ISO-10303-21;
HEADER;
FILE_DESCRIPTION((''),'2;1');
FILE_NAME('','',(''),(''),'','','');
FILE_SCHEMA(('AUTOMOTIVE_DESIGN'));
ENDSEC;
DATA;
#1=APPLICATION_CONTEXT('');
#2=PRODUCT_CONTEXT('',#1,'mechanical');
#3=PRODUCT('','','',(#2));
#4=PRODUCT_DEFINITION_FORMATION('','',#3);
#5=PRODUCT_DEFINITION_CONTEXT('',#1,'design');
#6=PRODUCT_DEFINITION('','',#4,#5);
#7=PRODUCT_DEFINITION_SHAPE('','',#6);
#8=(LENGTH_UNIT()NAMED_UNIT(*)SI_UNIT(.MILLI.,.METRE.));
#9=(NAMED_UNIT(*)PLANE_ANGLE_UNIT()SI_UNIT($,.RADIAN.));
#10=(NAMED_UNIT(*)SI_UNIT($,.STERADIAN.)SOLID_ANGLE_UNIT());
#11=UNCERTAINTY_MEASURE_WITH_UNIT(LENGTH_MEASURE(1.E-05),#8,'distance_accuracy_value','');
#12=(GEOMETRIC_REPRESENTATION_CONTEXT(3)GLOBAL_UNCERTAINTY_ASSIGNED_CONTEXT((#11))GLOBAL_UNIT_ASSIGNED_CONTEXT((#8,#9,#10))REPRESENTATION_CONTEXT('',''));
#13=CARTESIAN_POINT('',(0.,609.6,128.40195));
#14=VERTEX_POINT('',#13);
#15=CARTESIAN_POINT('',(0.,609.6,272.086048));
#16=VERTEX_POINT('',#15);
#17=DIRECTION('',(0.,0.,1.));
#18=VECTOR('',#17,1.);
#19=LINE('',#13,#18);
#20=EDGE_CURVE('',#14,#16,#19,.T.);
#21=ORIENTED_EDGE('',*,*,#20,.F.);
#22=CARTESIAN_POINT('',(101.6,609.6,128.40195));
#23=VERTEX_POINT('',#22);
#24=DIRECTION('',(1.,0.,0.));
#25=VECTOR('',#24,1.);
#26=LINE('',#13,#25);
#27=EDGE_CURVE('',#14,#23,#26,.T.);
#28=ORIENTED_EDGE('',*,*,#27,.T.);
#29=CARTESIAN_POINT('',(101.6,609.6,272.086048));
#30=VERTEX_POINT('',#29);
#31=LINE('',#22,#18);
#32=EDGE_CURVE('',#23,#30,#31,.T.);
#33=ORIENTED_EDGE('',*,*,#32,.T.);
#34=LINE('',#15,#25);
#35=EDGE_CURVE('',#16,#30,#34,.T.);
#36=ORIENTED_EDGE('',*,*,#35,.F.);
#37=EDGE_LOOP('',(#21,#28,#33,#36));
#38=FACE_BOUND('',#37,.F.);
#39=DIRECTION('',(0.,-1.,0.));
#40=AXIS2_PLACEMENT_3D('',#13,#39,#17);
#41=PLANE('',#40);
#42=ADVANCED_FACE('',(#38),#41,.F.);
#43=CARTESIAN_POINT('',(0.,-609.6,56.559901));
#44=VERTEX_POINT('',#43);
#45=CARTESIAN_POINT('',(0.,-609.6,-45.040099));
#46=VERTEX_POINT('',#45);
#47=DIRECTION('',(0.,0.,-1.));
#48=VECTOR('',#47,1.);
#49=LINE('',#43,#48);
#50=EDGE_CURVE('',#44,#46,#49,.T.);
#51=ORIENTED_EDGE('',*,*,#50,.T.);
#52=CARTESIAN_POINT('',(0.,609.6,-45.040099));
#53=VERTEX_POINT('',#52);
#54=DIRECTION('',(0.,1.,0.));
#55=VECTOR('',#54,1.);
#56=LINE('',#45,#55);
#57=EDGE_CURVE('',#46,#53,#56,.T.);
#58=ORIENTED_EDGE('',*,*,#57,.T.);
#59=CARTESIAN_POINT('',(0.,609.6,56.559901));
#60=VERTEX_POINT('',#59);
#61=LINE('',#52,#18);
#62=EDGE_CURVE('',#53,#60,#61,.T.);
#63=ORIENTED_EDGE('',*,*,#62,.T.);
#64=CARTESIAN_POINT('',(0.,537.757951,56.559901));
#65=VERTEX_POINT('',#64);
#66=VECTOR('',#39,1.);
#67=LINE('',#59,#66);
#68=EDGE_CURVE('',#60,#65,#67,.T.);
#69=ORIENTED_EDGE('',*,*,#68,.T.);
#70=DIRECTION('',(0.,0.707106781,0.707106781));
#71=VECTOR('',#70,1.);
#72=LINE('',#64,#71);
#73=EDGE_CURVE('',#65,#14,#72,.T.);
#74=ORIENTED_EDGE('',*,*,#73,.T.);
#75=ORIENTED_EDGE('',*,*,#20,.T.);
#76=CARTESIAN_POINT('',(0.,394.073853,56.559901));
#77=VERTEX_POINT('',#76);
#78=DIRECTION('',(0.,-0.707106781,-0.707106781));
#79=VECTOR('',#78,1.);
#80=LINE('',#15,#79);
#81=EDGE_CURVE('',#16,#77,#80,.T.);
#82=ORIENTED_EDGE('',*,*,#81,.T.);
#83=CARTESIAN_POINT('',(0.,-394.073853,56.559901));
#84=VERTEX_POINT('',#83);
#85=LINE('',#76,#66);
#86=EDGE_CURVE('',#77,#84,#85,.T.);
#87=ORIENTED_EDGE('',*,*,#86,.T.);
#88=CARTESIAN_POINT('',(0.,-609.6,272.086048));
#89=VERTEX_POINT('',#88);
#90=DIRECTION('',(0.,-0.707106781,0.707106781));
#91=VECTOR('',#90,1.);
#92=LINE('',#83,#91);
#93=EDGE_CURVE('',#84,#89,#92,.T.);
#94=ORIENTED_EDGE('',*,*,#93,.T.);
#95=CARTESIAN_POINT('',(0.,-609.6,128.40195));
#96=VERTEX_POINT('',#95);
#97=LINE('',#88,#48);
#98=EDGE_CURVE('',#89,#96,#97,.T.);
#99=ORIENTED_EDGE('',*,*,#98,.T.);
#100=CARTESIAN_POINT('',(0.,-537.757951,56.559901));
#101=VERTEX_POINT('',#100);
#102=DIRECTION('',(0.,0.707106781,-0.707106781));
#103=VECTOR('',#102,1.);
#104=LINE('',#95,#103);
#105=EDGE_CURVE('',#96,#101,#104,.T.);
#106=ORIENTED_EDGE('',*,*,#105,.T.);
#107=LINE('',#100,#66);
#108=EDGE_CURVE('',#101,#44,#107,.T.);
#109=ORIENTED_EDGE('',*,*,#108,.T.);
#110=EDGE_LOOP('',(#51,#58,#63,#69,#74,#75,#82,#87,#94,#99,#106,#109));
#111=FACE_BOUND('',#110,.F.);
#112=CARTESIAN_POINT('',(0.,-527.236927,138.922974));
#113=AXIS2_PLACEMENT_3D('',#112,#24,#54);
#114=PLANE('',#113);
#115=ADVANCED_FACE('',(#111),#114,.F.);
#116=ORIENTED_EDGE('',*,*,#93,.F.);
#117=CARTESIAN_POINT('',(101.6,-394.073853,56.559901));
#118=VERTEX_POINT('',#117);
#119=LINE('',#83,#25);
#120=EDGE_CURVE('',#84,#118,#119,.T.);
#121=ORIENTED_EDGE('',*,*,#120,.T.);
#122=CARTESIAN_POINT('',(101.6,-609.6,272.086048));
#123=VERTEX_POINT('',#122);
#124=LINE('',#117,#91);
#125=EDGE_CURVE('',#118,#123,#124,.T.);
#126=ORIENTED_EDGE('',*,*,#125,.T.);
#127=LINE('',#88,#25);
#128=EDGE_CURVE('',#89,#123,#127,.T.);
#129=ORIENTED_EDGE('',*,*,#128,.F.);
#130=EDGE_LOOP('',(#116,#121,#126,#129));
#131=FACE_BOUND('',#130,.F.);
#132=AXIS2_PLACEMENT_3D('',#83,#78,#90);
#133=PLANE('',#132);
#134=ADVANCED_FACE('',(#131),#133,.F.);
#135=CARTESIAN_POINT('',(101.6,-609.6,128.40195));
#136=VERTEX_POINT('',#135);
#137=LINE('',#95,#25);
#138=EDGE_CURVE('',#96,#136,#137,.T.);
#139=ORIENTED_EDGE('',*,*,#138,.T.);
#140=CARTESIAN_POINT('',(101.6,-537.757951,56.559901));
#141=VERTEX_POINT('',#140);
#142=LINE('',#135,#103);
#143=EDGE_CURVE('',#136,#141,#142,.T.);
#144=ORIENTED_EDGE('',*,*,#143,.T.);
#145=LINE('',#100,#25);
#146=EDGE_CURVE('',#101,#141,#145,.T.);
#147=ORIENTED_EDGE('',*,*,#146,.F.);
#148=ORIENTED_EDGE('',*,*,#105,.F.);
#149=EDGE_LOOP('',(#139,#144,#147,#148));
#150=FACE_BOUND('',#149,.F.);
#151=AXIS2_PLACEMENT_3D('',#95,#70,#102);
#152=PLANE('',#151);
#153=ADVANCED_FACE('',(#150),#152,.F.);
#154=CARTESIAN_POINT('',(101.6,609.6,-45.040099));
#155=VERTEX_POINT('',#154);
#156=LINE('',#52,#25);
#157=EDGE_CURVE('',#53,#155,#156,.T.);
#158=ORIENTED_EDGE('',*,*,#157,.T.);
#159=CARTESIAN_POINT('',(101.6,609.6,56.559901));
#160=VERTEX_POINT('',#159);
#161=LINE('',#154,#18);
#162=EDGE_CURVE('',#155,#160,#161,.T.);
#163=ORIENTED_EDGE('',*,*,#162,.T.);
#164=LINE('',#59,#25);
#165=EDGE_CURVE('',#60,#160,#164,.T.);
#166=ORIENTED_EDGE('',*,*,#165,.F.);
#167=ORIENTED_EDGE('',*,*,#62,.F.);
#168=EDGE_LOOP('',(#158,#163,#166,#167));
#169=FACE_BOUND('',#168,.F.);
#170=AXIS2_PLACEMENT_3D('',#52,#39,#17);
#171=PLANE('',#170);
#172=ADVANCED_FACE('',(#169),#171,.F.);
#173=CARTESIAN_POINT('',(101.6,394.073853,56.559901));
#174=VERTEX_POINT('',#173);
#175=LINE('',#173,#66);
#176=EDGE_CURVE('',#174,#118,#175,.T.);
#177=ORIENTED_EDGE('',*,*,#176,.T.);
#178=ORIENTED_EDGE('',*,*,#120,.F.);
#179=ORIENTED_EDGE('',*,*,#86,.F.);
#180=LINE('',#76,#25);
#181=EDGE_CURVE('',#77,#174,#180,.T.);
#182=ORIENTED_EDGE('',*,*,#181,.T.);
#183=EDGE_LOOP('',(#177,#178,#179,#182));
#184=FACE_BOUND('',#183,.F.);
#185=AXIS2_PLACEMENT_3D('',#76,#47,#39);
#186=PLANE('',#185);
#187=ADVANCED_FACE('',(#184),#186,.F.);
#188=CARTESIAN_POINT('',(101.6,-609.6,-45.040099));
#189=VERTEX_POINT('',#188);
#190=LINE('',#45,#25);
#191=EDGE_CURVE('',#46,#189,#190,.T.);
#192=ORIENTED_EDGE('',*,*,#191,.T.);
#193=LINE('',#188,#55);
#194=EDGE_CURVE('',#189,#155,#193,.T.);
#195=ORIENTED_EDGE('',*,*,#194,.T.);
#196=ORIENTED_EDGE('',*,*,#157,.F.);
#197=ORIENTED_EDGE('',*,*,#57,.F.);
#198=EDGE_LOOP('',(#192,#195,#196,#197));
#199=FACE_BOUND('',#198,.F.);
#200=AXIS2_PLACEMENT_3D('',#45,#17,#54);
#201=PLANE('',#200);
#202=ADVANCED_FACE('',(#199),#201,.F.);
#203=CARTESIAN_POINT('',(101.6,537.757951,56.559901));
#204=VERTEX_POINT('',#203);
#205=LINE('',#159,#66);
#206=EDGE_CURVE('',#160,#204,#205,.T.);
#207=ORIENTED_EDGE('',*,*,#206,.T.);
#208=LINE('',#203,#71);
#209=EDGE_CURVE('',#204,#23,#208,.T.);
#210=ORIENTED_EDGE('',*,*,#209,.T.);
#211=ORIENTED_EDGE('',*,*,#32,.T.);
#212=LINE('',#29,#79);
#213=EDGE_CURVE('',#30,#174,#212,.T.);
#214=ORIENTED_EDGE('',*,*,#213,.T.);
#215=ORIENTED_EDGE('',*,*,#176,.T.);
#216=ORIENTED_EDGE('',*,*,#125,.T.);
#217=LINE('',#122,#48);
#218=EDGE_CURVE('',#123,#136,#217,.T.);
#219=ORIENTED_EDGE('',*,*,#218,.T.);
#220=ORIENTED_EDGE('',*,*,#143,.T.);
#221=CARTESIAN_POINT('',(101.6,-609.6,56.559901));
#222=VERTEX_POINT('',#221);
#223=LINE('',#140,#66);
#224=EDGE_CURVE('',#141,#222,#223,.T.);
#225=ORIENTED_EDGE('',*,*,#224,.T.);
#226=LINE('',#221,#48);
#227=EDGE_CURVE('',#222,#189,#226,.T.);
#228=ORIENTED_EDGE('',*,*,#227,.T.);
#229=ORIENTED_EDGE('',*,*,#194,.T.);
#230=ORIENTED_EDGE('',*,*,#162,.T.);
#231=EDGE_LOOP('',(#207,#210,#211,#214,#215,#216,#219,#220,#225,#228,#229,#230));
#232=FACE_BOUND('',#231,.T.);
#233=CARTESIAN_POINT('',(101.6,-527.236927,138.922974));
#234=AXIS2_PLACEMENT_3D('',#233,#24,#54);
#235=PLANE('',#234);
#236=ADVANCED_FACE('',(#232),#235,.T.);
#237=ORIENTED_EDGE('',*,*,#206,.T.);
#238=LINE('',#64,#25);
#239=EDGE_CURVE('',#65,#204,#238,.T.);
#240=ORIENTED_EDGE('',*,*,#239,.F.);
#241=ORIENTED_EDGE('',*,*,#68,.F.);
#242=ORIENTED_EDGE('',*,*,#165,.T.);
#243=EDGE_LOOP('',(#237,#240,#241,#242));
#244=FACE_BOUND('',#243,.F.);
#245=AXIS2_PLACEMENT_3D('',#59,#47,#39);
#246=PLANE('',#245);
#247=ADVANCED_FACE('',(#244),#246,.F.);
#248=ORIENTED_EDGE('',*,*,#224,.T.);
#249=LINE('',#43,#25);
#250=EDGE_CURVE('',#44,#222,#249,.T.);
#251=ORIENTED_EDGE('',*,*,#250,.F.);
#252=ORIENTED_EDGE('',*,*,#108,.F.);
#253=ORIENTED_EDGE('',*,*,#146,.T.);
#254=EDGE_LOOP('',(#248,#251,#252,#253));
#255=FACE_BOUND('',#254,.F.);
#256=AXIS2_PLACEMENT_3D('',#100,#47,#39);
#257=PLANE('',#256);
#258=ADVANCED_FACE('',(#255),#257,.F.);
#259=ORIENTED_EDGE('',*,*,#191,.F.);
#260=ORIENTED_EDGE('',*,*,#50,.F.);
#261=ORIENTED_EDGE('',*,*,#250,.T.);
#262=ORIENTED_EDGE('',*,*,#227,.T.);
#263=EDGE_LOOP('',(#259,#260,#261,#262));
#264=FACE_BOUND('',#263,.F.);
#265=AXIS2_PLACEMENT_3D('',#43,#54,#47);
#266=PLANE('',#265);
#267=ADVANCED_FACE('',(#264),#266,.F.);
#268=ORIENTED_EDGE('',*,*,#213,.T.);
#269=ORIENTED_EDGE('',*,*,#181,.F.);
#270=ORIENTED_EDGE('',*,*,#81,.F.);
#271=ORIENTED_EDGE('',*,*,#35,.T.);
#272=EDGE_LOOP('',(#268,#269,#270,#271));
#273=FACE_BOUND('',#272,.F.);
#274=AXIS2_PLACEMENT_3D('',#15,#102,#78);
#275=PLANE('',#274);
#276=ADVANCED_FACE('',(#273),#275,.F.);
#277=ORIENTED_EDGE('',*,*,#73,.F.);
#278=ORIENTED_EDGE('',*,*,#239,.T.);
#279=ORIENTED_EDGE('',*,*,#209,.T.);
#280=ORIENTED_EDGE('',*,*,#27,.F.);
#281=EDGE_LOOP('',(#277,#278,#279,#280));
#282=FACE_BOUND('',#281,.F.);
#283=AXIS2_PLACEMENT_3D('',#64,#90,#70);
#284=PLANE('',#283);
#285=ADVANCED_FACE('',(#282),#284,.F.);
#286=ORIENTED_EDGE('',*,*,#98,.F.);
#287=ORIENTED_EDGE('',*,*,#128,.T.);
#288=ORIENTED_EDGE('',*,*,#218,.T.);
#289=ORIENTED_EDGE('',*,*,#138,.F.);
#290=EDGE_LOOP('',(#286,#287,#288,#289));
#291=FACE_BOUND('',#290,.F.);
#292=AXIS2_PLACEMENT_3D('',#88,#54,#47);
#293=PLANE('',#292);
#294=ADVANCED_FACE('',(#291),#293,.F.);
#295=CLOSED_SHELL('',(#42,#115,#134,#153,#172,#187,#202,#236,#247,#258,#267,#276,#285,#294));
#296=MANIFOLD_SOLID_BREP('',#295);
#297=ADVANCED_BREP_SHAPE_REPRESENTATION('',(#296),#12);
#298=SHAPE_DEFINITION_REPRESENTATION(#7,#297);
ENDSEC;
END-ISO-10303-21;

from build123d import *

# Parameters (mm, degrees)
F1_DEPTH = 101.6


with BuildPart() as f1:
    # F0 (on Right) → F1 (new body)
    with BuildSketch(Plane.YZ):
        Polygon((-609.6, 128.40195), (-537.757951, 56.559901), (-394.073853, 56.559901), (-609.6, 272.086048), align=None)
        Polygon((-537.757951, 56.559901), (-609.6, 56.559901), (-609.6, -45.040099), (0, -45.040099), (0, 56.559901), (-394.073853, 56.559901), align=None)
        Polygon((609.6, 272.086048), (394.073853, 56.559901), (537.757951, 56.559901), (609.6, 128.40195), align=None)
        Polygon((0, 56.559901), (0, -45.040099), (609.6, -45.040099), (609.6, 56.559901), (537.757951, 56.559901), (394.073853, 56.559901), align=None)
    extrude(amount=F1_DEPTH)


solid = f1.part
